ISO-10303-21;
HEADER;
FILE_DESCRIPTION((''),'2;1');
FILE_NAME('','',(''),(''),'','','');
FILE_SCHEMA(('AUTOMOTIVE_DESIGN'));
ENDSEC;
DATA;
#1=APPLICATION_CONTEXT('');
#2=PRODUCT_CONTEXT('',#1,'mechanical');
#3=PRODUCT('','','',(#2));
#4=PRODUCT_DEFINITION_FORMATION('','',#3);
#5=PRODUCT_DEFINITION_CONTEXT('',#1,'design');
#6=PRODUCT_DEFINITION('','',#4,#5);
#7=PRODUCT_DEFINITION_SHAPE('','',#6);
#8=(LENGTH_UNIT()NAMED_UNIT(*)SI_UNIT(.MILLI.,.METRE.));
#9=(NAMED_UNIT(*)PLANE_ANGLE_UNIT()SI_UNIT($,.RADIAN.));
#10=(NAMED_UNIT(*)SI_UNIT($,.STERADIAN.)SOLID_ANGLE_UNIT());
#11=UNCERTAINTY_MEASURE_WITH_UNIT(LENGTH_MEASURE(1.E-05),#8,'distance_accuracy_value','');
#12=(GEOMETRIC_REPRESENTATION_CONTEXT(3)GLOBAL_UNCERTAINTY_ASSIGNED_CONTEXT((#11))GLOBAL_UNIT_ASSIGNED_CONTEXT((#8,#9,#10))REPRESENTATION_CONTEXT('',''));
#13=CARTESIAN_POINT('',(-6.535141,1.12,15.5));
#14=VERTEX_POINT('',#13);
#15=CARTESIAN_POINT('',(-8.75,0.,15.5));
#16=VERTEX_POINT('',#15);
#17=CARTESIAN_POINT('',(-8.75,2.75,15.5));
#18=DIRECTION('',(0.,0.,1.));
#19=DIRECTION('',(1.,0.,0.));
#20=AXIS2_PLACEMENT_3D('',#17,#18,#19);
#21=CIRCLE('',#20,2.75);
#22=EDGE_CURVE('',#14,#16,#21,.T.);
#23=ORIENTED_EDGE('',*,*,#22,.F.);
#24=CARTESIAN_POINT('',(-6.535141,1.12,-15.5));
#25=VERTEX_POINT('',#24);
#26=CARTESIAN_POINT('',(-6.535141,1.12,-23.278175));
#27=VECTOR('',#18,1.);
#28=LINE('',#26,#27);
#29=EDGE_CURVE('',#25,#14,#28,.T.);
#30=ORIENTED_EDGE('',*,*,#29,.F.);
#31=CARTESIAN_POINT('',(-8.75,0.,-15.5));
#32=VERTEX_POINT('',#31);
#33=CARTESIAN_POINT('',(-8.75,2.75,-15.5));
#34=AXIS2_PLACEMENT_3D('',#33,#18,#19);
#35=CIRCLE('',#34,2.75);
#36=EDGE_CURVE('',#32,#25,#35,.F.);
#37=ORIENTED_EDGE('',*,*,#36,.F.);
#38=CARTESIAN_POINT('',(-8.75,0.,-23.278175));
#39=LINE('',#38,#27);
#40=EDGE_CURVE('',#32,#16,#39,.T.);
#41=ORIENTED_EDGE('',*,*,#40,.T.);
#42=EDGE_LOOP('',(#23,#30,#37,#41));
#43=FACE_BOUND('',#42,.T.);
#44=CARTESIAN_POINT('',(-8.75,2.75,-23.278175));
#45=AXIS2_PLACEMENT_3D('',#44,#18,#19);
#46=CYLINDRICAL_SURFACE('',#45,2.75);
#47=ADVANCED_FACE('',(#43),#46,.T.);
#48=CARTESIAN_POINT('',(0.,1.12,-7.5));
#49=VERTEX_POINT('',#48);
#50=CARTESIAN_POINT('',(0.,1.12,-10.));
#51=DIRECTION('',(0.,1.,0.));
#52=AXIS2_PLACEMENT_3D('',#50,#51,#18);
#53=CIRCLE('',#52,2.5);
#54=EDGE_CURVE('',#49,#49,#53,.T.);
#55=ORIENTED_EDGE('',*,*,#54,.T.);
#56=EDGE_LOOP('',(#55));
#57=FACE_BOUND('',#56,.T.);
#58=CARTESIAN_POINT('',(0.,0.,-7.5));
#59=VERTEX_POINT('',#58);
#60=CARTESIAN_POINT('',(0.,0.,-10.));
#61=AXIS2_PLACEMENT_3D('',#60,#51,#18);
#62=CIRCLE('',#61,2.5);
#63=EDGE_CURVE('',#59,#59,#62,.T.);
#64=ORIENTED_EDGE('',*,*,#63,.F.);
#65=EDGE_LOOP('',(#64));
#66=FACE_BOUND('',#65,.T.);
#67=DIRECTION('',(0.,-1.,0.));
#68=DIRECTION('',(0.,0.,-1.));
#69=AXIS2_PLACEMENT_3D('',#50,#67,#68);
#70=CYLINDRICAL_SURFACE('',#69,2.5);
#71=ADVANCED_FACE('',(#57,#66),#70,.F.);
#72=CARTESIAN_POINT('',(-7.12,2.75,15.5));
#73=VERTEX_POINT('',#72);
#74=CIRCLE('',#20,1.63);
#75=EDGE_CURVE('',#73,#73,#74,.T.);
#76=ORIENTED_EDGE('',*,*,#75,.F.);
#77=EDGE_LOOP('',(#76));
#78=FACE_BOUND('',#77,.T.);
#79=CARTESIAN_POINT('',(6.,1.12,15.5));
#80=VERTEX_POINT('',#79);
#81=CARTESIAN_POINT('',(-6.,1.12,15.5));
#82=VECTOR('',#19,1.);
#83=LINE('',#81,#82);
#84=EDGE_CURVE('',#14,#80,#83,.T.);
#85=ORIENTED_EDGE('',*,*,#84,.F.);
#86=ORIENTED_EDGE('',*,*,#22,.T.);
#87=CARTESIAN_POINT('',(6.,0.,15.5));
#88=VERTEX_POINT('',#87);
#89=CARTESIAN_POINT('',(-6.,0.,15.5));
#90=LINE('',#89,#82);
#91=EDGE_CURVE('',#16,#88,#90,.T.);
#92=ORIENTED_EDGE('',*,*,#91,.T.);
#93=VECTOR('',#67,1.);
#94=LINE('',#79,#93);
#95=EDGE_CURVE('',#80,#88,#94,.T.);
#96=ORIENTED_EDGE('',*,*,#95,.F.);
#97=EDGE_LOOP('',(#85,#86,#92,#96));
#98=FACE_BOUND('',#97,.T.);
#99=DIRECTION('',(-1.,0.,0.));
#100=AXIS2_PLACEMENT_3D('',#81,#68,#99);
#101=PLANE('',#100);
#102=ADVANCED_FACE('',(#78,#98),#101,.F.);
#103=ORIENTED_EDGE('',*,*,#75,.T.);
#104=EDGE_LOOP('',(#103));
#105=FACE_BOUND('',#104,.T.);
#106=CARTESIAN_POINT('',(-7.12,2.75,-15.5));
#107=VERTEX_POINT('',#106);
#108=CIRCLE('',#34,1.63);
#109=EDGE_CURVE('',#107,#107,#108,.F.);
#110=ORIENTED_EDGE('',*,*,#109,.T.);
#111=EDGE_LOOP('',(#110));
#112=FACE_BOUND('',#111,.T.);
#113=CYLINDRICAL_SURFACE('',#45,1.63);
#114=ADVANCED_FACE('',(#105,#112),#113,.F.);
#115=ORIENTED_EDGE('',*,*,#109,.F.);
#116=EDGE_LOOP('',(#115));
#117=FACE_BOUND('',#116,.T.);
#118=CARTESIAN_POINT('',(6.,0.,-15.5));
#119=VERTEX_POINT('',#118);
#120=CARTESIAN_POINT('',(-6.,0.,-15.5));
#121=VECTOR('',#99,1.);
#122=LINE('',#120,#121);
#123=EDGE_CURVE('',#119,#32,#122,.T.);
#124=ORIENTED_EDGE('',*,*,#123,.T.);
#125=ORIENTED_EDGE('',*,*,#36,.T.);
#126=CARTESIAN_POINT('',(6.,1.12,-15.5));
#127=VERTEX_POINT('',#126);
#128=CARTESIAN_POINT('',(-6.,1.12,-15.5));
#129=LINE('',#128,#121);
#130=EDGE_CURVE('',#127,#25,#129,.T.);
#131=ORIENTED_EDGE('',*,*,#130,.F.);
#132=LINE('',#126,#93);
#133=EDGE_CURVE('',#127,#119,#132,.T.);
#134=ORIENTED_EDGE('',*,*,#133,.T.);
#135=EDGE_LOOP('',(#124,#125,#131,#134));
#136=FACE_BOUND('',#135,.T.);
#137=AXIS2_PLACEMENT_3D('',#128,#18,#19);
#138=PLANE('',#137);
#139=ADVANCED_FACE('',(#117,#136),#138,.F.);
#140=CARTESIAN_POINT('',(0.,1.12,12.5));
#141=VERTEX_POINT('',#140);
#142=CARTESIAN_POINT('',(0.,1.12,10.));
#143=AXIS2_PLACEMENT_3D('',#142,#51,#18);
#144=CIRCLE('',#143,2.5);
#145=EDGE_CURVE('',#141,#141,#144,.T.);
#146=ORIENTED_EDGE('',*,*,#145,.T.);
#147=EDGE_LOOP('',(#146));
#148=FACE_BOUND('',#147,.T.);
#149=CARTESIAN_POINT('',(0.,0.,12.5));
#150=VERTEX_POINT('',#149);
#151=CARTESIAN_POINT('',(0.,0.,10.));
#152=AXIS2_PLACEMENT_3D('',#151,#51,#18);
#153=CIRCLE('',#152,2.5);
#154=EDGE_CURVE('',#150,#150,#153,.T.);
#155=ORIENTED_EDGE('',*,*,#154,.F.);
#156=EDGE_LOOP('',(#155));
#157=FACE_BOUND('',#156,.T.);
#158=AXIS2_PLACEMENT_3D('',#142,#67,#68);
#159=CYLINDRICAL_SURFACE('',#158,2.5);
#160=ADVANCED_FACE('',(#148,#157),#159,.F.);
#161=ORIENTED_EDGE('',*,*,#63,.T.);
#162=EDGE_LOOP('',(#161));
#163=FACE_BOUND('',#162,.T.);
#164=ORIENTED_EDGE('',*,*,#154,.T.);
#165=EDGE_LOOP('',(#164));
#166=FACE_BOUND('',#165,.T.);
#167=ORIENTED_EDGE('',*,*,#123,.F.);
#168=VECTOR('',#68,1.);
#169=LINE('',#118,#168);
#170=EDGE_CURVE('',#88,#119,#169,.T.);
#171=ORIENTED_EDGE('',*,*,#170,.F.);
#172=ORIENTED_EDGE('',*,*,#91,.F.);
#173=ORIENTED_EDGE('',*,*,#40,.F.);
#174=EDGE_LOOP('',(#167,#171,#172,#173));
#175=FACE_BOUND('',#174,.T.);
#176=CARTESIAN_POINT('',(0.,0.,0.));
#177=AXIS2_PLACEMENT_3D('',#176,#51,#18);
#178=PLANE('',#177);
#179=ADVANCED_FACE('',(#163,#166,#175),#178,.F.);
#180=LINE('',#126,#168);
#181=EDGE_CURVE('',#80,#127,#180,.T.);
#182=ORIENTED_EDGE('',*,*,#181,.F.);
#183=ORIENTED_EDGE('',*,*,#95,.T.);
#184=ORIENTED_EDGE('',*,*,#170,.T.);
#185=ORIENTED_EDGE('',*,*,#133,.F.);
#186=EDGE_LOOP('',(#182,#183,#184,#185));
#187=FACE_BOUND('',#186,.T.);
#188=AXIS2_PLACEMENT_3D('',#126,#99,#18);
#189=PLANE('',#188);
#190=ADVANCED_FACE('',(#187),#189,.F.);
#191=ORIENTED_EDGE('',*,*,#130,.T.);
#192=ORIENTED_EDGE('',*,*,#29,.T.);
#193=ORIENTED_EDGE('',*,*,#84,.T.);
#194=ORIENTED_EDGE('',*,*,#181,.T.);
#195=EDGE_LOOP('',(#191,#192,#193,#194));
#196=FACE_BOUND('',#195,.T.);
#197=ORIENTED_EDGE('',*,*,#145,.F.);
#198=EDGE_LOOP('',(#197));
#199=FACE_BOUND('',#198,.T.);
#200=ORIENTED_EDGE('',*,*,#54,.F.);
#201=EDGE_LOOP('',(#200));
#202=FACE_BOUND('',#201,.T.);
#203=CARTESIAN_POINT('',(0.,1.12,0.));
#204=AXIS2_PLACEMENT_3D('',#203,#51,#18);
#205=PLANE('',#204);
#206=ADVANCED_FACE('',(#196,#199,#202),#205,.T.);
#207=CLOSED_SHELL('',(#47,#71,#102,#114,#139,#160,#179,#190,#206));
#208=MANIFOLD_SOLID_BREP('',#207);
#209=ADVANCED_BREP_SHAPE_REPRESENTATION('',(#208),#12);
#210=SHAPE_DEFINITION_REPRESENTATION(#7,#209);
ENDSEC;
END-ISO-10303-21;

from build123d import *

# Parameters (mm, degrees)
SKETCH1_W           = 12
SKETCH1_H           = 31
SKETCH1_R           = 2.5
BOSS_EXTRUDE1_DEPTH = 1.12
SKETCH2_R           = 1.63
BOSS_EXTRUDE2_DEPTH = 31


with BuildPart() as part:
    # Sketch1 → Boss-Extrude1 (new body)
    with BuildSketch(Plane(origin=(0, 0, 0), x_dir=(1, 0, 0), z_dir=(0, 1, 0))):
        Rectangle(SKETCH1_W, SKETCH1_H)
        with Locations((0, 10)):
            Circle(SKETCH1_R, mode=Mode.SUBTRACT)
        with Locations((0, -10)):
            Circle(SKETCH1_R, mode=Mode.SUBTRACT)
    extrude(amount=BOSS_EXTRUDE1_DEPTH)

    # Sketch2 → Boss-Extrude2 (add)
    with BuildSketch(Plane.XY.offset(15.5)):
        with BuildLine():
            Line((-6, 1.12), (-6.535141088, 1.12))
            ThreePointArc((-6.535141088, 1.12), (-9.990967365, 5.204078238), (-8.75, 0))
            Line((-8.75, 0), (-6, 0))
            Line((-6, 0), (-6, 1.12))
        make_face()
        with Locations((-8.75, 2.75)):
            Circle(SKETCH2_R, mode=Mode.SUBTRACT)
    extrude(amount=-BOSS_EXTRUDE2_DEPTH)


solid = part.part
